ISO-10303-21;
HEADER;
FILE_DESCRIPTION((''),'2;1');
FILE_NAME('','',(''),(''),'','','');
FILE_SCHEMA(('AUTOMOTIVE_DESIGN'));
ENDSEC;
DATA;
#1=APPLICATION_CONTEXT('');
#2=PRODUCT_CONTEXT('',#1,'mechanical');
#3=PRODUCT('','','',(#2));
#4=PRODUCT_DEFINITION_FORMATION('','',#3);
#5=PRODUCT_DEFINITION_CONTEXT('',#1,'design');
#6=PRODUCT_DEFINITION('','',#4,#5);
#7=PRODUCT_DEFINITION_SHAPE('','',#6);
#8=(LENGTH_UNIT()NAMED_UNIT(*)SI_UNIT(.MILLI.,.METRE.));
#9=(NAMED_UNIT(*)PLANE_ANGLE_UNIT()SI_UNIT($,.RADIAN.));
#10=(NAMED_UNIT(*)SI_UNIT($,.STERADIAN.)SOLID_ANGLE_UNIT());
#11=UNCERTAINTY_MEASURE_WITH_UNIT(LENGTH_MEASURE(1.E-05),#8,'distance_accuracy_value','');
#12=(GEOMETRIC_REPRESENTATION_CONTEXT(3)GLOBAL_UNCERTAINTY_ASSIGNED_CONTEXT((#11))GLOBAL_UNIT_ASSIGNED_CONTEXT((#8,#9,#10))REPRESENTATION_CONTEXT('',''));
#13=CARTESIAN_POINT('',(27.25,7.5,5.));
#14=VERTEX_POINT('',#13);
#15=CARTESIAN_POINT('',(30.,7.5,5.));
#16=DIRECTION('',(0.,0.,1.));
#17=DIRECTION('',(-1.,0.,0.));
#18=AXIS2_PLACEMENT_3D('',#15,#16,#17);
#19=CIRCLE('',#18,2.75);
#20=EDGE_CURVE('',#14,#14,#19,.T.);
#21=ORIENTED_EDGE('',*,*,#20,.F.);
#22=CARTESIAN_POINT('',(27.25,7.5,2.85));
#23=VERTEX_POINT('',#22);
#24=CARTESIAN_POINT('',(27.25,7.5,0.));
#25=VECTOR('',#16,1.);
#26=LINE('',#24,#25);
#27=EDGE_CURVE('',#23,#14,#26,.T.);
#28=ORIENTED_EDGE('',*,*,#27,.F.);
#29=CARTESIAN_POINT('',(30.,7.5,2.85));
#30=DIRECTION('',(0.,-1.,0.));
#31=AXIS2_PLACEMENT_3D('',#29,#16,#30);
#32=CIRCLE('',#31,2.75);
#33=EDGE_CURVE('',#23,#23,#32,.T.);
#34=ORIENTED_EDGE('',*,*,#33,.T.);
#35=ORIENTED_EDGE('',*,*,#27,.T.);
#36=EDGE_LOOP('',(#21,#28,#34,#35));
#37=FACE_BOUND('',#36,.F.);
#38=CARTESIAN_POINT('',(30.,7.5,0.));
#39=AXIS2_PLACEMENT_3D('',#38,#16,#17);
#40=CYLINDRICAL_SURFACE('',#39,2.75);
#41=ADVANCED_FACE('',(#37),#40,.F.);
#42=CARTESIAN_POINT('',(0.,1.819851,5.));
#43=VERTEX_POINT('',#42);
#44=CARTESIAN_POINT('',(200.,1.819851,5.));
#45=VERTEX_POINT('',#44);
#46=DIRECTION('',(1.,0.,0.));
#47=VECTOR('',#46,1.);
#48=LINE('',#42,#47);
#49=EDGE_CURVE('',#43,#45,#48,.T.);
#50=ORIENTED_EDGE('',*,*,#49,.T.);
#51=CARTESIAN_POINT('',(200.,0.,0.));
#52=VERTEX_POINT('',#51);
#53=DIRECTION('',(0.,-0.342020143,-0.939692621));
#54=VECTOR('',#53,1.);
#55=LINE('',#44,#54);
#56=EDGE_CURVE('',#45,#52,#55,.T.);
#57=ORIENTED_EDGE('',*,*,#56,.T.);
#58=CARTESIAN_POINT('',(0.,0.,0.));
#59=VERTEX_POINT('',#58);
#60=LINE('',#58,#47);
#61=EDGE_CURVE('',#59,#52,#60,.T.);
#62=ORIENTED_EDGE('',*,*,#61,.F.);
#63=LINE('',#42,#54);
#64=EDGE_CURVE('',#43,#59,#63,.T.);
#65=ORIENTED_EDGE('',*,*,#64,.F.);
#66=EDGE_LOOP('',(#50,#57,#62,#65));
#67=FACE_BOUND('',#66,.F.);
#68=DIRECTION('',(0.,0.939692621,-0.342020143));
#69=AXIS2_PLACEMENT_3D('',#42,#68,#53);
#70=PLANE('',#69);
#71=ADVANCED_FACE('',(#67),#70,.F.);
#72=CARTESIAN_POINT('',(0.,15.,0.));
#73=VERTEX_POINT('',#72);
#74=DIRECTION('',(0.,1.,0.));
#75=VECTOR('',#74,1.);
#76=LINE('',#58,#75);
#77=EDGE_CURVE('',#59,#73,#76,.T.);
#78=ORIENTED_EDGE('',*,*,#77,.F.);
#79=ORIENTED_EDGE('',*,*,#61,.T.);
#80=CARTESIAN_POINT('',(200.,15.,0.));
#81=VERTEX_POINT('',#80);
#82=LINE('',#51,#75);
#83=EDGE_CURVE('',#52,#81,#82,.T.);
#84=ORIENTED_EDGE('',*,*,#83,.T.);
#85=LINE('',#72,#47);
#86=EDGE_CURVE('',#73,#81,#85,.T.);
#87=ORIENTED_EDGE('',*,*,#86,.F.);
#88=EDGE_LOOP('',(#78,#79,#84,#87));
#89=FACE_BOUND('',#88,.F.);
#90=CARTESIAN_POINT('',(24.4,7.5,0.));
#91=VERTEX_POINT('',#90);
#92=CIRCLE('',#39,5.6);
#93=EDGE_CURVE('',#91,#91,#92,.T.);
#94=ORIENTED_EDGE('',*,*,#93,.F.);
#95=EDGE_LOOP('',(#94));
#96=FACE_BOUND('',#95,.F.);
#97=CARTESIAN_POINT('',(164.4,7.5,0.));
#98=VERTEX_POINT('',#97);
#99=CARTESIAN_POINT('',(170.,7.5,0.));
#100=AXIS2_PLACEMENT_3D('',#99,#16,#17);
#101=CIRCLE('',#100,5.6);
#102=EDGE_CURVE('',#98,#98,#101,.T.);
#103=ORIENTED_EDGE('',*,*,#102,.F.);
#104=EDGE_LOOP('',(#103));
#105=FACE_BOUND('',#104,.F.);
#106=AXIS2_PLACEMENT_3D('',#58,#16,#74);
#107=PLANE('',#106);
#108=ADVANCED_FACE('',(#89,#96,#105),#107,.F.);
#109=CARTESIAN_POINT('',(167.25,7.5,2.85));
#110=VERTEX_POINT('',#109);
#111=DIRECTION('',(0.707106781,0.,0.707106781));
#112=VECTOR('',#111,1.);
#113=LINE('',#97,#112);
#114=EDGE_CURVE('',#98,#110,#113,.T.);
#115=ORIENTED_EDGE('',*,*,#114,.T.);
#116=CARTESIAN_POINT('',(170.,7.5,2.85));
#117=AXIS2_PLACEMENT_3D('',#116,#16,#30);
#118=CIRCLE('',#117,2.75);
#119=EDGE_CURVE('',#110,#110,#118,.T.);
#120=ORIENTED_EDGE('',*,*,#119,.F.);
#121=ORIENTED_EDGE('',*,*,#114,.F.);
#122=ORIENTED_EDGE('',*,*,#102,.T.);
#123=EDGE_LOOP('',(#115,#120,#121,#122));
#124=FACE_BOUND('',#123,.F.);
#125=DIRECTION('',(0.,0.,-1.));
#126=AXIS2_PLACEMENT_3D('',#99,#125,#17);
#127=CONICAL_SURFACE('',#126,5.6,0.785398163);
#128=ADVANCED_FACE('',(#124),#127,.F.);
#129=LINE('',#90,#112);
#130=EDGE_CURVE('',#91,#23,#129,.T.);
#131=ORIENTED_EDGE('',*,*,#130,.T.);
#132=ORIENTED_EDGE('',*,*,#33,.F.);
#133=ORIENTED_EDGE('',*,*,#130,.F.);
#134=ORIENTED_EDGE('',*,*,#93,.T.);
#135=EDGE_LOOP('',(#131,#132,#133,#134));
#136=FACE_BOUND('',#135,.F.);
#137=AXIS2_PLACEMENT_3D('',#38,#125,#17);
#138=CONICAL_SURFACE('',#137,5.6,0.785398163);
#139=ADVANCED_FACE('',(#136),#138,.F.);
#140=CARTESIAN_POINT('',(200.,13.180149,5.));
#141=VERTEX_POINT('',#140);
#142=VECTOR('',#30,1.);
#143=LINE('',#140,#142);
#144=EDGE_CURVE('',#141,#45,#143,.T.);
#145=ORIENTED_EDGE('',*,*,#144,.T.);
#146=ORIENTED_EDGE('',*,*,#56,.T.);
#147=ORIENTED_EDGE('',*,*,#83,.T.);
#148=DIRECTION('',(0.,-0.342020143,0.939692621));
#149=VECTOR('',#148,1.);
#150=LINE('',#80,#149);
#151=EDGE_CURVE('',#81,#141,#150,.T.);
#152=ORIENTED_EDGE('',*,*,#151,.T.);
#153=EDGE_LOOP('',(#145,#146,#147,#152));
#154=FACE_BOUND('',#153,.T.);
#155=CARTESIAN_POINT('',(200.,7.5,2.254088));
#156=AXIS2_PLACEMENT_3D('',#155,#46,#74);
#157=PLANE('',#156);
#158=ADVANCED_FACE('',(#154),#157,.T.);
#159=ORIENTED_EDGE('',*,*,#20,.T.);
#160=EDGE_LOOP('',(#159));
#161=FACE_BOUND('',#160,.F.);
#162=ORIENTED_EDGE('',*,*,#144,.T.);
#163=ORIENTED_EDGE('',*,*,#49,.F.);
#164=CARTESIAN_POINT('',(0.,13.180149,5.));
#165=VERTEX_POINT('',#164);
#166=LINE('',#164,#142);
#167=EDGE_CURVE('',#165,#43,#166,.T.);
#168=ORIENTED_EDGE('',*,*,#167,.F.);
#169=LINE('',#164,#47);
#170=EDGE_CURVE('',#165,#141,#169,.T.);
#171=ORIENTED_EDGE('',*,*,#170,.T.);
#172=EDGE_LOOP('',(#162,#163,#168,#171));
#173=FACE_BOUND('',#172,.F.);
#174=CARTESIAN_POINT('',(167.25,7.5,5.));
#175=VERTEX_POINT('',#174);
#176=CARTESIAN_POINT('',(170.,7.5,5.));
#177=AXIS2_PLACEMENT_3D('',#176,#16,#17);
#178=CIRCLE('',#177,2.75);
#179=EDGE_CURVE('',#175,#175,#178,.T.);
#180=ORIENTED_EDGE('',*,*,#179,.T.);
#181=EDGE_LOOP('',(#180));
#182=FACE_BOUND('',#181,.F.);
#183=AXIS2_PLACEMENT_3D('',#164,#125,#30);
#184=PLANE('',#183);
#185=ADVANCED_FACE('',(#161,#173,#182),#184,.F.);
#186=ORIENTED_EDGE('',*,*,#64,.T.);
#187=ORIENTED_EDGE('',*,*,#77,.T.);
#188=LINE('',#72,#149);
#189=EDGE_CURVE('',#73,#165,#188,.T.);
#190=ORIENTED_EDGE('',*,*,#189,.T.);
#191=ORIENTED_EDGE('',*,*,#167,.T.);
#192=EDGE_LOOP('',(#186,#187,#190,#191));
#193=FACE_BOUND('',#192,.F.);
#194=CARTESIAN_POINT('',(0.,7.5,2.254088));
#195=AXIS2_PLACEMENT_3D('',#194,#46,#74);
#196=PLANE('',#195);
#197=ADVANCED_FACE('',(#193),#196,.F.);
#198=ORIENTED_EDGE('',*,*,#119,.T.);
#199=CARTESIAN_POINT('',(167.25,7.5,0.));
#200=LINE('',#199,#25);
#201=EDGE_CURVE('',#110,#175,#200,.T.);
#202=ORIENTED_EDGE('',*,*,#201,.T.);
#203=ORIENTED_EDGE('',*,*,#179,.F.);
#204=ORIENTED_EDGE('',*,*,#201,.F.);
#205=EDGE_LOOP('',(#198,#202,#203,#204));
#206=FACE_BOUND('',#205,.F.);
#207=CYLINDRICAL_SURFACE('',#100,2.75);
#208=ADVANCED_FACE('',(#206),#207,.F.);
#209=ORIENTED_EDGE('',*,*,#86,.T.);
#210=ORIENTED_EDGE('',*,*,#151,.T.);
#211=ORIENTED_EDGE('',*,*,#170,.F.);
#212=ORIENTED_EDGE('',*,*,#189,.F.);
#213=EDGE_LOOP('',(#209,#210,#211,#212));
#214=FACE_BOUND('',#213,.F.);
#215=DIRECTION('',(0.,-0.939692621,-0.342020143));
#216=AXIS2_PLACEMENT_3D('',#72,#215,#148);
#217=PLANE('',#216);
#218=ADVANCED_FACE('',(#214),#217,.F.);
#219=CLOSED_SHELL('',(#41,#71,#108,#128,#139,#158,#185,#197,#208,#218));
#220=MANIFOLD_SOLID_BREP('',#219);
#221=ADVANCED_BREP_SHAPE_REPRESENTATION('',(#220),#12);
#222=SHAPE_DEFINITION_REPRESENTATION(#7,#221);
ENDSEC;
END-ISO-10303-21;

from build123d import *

# Parameters (mm, degrees)
F1_DEPTH       = 200
F3_D           = 5.5
F3_CSINK_D     = 11.2
F3_CSINK_ANGLE = 90


with BuildPart() as f1:
    # F0 (on Right) → F1 (new body)
    with BuildSketch(Plane.YZ):
        Polygon((1.8198511713, 5), (0, 0), (15, 0), (13.1801488287, 5), align=None)
    extrude(amount=F1_DEPTH)

    # F3 (through all)
    with Locations(Plane(origin=(0, 0, 0), x_dir=(1, 0, 0), z_dir=(0, 0, -1))):
        with Locations((30, -7.5), (170, -7.5)):
            CounterSinkHole(F3_D / 2, F3_CSINK_D / 2, counter_sink_angle=F3_CSINK_ANGLE)


solid = f1.part
